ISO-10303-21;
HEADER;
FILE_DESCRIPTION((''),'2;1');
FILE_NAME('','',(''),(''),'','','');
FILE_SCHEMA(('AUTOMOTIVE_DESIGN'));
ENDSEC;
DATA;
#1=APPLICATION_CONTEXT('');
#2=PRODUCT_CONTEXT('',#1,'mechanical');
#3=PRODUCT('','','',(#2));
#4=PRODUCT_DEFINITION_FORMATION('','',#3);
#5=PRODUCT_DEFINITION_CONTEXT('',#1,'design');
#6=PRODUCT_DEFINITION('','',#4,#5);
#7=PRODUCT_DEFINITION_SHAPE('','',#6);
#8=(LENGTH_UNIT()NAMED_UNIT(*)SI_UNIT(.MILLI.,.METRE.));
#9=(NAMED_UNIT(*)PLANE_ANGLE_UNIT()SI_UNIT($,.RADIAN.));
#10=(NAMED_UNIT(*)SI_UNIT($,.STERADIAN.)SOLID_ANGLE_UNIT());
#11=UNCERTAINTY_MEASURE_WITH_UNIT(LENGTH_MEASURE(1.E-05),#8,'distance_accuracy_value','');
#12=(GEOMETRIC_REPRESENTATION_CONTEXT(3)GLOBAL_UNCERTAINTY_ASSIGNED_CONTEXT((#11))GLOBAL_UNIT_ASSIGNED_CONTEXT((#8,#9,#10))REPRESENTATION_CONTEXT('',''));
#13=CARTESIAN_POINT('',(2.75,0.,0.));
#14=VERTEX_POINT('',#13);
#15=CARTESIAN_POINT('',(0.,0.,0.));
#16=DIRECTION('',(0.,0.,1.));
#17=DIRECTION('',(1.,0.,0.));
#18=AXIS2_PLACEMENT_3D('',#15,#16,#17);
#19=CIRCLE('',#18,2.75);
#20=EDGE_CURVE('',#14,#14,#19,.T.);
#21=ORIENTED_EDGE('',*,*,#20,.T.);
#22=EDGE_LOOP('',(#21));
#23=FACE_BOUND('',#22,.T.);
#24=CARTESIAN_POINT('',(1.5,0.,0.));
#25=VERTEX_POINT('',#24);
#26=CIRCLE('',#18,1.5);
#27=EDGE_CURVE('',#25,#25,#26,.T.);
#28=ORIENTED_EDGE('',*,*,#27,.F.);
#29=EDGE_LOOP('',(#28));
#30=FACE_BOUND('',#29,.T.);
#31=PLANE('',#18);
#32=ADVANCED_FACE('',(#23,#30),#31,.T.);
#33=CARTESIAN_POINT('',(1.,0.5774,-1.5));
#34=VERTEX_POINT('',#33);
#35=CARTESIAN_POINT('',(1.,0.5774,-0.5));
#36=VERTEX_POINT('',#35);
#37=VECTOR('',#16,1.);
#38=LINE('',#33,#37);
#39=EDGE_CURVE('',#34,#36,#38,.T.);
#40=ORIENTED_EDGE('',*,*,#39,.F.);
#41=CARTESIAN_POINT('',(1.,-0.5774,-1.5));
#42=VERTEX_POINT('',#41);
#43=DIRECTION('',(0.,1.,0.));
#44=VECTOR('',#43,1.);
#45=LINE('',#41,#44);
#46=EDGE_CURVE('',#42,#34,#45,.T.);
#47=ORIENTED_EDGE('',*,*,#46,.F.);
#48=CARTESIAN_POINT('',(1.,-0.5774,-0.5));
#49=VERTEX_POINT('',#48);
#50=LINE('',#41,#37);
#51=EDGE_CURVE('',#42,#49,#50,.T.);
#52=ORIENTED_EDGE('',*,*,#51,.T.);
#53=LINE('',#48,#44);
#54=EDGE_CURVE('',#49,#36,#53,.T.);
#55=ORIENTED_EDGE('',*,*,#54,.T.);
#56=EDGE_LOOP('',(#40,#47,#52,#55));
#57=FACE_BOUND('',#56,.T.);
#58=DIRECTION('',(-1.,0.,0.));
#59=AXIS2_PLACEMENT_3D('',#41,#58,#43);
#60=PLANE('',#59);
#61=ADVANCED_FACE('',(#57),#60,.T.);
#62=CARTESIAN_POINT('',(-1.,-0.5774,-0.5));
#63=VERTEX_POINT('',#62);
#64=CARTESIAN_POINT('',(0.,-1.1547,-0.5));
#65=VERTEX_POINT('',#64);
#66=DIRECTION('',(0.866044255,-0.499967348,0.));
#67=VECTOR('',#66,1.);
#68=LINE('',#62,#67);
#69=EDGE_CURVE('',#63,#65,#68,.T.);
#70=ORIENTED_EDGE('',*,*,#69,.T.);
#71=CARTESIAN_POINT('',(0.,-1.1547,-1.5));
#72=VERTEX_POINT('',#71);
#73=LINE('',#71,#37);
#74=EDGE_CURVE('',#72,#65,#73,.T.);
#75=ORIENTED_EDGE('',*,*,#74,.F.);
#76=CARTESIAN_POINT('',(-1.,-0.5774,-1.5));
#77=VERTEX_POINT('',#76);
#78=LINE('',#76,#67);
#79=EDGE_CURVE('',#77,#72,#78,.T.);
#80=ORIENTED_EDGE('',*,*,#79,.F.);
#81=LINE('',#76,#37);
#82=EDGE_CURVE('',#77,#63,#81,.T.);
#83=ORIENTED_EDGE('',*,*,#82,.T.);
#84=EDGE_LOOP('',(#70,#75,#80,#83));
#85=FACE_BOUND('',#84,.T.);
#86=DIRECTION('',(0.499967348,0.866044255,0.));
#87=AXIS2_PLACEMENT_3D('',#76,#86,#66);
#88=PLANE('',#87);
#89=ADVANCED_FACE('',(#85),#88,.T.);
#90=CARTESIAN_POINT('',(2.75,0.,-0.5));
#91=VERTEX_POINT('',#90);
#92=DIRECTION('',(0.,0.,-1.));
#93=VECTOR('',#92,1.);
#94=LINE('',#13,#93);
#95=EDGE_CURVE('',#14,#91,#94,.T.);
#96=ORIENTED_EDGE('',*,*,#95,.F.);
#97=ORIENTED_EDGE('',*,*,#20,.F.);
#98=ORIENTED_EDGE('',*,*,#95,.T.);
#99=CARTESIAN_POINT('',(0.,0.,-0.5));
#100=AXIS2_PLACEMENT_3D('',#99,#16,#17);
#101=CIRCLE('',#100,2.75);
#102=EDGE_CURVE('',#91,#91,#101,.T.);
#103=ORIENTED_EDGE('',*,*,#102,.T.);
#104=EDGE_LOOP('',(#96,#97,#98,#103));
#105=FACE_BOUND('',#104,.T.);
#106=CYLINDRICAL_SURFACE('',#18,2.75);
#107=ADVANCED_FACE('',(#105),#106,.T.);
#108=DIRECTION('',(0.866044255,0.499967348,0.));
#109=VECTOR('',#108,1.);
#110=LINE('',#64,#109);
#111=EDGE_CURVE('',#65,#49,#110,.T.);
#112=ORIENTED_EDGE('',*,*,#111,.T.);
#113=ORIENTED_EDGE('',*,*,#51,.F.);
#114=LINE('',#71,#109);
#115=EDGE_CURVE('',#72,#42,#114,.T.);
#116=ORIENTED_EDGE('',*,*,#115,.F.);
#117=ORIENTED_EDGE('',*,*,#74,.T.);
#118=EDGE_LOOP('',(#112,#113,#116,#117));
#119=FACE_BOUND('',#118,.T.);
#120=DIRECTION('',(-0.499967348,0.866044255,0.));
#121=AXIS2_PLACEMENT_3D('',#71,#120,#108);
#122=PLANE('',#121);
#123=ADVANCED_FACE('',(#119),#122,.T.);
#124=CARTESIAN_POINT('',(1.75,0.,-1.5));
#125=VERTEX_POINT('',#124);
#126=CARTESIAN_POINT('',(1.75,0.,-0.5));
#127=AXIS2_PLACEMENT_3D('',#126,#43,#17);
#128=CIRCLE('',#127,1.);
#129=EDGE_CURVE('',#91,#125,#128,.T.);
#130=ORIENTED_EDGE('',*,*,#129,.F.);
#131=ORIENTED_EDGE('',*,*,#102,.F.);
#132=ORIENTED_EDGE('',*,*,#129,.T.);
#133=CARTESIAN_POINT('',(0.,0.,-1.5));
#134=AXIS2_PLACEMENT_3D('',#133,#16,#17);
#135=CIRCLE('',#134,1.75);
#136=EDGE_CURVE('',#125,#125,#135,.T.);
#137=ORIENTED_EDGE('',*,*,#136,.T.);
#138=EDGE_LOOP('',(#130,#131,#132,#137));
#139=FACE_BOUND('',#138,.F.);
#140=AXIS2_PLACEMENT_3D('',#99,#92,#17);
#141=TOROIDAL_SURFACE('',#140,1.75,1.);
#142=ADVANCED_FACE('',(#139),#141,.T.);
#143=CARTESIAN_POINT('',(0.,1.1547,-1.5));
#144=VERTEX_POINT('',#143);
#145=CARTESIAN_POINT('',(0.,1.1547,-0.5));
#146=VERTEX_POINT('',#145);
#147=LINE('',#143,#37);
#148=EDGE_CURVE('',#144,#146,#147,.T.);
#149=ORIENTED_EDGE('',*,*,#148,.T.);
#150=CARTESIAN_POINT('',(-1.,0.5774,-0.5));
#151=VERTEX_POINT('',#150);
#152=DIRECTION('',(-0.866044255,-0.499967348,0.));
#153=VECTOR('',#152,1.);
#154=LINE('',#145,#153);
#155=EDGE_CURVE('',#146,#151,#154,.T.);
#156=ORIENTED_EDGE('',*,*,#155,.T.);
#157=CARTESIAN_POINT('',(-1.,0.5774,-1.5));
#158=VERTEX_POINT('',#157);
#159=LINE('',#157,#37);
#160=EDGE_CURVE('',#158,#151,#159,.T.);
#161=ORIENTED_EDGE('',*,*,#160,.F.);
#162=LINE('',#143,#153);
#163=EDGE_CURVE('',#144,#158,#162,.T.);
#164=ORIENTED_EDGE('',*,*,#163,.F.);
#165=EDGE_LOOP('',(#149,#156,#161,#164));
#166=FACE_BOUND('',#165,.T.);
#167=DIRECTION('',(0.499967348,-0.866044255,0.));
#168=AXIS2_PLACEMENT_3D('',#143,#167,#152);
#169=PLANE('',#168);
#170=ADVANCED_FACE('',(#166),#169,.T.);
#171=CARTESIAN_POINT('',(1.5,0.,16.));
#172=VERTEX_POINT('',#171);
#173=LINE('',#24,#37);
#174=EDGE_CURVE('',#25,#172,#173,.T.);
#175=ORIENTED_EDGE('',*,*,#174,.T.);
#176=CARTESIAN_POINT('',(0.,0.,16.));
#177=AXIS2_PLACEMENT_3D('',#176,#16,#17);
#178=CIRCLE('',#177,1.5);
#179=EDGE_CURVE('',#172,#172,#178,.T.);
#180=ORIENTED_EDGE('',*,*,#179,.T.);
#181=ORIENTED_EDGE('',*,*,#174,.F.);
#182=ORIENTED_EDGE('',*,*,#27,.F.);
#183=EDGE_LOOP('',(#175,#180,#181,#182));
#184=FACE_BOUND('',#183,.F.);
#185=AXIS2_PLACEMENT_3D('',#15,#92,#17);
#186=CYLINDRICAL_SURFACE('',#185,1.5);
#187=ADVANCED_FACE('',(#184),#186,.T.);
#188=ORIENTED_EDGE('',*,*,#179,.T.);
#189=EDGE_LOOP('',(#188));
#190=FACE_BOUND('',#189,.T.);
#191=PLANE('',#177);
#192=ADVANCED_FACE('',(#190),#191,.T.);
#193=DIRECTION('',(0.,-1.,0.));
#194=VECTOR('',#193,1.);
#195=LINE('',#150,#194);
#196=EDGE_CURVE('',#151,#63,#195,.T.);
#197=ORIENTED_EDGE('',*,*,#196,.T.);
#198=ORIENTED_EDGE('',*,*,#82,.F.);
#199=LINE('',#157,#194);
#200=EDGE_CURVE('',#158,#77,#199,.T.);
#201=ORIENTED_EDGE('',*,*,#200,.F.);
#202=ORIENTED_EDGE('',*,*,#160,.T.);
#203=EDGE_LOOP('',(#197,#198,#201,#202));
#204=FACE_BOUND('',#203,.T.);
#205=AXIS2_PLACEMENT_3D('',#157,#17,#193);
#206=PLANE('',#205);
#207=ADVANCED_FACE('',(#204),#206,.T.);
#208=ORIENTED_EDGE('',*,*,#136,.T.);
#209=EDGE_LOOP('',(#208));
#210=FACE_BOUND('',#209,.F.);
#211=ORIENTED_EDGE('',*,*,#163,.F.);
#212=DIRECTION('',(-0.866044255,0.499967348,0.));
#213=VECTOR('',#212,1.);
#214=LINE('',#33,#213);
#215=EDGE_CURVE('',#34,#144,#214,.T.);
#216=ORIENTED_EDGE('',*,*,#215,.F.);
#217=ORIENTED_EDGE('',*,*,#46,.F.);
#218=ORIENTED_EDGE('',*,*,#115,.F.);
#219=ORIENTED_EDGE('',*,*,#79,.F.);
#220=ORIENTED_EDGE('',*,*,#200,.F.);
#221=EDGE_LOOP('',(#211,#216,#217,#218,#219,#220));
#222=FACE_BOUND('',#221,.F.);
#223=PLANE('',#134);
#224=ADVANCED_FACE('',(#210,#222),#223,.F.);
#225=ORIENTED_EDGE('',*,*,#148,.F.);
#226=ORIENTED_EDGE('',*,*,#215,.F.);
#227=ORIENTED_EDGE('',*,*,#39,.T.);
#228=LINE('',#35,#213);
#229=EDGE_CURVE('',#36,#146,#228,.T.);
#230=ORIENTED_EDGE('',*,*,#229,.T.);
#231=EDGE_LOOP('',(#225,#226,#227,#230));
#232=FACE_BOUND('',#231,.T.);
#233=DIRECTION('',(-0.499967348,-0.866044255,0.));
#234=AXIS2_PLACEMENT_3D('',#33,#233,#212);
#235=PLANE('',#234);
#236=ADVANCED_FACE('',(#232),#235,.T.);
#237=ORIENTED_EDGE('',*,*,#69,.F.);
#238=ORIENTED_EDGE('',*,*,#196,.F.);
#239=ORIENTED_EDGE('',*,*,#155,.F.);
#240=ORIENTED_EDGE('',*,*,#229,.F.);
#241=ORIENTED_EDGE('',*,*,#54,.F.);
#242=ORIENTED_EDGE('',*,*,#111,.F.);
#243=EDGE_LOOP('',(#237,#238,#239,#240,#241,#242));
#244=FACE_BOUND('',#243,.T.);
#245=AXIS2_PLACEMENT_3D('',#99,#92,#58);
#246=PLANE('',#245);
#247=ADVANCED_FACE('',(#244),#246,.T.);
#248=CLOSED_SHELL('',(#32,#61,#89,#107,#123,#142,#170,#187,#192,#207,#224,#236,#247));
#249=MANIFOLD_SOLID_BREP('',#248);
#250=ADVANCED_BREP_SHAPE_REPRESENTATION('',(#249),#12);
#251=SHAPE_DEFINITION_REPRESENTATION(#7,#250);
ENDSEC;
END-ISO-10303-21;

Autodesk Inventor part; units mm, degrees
ref_plane "YZ Plane" through (0, 0, 0) normal (1, 0, 0) x (0, 1, 0)
ref_plane "XZ Plane" through (0, 0, 0) normal (0, 1, 0) x (-1, 0, 0)
ref_plane "XY Plane" through (0, 0, 0) normal (0, 0, 1) x (1, 0, 0)
sketch "Эскиз1" plane through (0, 0, 0) normal (0, 0, 1) x (1, 0, 0)
  circle A0 centre (0, 0) radius 1.5
  circle A1 centre (0, 0) radius 2.75
  dimension "d0" = 5.5
  dimension "d1" = 3
extrude "Выдавливание1" add sketch "Эскиз1" along normal blind 16 contours A0
extrude "Выдавливание2" add sketch "Эскиз1" against normal blind 1.5 contours A0 | A1
thread "Резьба1" size "M3x0.5" class "6g" standard "ISO Metric profile" full length
sketch "Эскиз2" plane through (0, 0, -1.5) normal (0, 0, -1) x (-1, 0, 0)
  line L0 (0, 1.1547) -> (1, 0.5774)
  line L1 (1, 0.5774) -> (1, -0.5774)
  line L2 (1, -0.5774) -> (0, -1.1547)
  line L3 (0, -1.1547) -> (-1, -0.5774)
  line L4 (-1, -0.5774) -> (-1, 0.5774)
  line L5 (-1, 0.5774) -> (0, 1.1547)
  point P0 (0, 0)
  point P1 (0, 0)
  dimension "d8" = 2
extrude "Выдавливание3" cut sketch "Эскиз2" against normal blind 1
fillet "Сопряжение1" radius 1 1 edges at (-2.75, 0, -1.5)
properties part number "Болт М3 16 мм"
